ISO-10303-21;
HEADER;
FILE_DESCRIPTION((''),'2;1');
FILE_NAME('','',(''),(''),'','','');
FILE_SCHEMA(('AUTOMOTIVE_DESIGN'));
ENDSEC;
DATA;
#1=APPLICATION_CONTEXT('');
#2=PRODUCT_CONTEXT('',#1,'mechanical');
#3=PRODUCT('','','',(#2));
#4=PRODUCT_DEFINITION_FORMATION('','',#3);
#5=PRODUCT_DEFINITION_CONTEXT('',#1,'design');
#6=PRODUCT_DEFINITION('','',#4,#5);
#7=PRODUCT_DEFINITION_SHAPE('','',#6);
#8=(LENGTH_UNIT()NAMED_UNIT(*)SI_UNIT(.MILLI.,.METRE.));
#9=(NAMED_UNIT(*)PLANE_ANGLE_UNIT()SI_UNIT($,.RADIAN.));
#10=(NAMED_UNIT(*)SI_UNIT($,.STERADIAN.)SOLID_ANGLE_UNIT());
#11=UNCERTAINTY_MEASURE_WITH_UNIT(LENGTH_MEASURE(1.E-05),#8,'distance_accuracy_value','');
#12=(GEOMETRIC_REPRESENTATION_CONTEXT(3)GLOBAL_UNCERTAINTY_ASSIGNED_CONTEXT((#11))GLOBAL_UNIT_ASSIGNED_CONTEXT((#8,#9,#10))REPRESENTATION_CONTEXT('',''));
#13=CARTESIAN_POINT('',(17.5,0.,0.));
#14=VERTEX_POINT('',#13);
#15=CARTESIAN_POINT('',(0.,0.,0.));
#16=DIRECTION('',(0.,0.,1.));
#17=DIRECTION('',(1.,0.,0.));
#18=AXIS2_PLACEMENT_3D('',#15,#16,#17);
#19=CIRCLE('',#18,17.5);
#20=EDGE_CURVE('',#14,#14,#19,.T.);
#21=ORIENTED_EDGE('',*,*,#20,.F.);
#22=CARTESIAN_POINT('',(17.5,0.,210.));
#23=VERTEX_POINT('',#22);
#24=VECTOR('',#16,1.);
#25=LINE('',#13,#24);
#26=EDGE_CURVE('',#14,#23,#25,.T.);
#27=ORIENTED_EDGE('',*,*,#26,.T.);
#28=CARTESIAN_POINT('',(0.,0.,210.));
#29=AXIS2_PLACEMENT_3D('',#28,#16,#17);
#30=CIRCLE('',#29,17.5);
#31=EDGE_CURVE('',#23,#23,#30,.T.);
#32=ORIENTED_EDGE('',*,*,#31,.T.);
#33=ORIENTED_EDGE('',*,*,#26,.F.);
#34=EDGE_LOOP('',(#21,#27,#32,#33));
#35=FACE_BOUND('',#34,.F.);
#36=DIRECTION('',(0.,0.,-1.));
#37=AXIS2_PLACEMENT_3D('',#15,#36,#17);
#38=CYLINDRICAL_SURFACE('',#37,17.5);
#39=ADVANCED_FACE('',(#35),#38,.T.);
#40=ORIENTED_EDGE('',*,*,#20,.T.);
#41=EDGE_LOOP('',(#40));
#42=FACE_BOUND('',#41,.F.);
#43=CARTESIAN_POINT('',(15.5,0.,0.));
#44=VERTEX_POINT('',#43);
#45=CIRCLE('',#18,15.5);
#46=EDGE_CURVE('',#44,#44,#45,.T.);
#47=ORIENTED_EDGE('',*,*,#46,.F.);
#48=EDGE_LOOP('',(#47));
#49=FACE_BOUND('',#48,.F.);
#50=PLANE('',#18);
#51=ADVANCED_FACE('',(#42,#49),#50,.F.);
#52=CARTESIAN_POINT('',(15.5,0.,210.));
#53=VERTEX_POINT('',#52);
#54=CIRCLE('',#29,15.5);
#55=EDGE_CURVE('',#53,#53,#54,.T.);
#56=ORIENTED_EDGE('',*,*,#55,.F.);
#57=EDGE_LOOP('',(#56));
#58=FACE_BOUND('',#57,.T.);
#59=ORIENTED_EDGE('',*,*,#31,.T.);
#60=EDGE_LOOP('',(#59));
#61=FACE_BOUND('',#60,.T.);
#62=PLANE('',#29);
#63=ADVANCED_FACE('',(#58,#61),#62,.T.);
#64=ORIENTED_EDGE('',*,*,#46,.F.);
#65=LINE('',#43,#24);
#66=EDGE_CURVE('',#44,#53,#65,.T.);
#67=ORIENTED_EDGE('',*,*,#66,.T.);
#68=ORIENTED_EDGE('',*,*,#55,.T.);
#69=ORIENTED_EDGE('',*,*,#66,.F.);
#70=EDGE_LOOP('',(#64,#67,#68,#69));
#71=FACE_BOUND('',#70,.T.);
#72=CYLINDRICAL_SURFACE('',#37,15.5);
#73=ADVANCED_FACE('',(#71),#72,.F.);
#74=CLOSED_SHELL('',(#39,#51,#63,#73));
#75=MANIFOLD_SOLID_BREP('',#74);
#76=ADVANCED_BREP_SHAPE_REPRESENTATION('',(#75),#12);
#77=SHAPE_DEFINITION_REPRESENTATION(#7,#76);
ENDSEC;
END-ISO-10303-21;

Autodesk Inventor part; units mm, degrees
ref_plane "YZ Plane" through (0, 0, 0) normal (1, 0, 0) x (0, 1, 0)
ref_plane "XZ Plane" through (0, 0, 0) normal (0, 1, 0) x (-1, 0, 0)
ref_plane "XY Plane" through (0, 0, 0) normal (0, 0, 1) x (1, 0, 0)
sketch "スケッチ1" plane through (0, 0, 0) normal (0, 0, 1) x (1, 0, 0)
  circle A0 centre (0, 0) radius 17.5
  circle A1 centre (0, 0) radius 15.5
  dimension "d0" = 35
  dimension "d1" = 2
extrude "押し出し1" add sketch "スケッチ1" along normal blind 210
properties part number "Φ35mm_Pipe"
